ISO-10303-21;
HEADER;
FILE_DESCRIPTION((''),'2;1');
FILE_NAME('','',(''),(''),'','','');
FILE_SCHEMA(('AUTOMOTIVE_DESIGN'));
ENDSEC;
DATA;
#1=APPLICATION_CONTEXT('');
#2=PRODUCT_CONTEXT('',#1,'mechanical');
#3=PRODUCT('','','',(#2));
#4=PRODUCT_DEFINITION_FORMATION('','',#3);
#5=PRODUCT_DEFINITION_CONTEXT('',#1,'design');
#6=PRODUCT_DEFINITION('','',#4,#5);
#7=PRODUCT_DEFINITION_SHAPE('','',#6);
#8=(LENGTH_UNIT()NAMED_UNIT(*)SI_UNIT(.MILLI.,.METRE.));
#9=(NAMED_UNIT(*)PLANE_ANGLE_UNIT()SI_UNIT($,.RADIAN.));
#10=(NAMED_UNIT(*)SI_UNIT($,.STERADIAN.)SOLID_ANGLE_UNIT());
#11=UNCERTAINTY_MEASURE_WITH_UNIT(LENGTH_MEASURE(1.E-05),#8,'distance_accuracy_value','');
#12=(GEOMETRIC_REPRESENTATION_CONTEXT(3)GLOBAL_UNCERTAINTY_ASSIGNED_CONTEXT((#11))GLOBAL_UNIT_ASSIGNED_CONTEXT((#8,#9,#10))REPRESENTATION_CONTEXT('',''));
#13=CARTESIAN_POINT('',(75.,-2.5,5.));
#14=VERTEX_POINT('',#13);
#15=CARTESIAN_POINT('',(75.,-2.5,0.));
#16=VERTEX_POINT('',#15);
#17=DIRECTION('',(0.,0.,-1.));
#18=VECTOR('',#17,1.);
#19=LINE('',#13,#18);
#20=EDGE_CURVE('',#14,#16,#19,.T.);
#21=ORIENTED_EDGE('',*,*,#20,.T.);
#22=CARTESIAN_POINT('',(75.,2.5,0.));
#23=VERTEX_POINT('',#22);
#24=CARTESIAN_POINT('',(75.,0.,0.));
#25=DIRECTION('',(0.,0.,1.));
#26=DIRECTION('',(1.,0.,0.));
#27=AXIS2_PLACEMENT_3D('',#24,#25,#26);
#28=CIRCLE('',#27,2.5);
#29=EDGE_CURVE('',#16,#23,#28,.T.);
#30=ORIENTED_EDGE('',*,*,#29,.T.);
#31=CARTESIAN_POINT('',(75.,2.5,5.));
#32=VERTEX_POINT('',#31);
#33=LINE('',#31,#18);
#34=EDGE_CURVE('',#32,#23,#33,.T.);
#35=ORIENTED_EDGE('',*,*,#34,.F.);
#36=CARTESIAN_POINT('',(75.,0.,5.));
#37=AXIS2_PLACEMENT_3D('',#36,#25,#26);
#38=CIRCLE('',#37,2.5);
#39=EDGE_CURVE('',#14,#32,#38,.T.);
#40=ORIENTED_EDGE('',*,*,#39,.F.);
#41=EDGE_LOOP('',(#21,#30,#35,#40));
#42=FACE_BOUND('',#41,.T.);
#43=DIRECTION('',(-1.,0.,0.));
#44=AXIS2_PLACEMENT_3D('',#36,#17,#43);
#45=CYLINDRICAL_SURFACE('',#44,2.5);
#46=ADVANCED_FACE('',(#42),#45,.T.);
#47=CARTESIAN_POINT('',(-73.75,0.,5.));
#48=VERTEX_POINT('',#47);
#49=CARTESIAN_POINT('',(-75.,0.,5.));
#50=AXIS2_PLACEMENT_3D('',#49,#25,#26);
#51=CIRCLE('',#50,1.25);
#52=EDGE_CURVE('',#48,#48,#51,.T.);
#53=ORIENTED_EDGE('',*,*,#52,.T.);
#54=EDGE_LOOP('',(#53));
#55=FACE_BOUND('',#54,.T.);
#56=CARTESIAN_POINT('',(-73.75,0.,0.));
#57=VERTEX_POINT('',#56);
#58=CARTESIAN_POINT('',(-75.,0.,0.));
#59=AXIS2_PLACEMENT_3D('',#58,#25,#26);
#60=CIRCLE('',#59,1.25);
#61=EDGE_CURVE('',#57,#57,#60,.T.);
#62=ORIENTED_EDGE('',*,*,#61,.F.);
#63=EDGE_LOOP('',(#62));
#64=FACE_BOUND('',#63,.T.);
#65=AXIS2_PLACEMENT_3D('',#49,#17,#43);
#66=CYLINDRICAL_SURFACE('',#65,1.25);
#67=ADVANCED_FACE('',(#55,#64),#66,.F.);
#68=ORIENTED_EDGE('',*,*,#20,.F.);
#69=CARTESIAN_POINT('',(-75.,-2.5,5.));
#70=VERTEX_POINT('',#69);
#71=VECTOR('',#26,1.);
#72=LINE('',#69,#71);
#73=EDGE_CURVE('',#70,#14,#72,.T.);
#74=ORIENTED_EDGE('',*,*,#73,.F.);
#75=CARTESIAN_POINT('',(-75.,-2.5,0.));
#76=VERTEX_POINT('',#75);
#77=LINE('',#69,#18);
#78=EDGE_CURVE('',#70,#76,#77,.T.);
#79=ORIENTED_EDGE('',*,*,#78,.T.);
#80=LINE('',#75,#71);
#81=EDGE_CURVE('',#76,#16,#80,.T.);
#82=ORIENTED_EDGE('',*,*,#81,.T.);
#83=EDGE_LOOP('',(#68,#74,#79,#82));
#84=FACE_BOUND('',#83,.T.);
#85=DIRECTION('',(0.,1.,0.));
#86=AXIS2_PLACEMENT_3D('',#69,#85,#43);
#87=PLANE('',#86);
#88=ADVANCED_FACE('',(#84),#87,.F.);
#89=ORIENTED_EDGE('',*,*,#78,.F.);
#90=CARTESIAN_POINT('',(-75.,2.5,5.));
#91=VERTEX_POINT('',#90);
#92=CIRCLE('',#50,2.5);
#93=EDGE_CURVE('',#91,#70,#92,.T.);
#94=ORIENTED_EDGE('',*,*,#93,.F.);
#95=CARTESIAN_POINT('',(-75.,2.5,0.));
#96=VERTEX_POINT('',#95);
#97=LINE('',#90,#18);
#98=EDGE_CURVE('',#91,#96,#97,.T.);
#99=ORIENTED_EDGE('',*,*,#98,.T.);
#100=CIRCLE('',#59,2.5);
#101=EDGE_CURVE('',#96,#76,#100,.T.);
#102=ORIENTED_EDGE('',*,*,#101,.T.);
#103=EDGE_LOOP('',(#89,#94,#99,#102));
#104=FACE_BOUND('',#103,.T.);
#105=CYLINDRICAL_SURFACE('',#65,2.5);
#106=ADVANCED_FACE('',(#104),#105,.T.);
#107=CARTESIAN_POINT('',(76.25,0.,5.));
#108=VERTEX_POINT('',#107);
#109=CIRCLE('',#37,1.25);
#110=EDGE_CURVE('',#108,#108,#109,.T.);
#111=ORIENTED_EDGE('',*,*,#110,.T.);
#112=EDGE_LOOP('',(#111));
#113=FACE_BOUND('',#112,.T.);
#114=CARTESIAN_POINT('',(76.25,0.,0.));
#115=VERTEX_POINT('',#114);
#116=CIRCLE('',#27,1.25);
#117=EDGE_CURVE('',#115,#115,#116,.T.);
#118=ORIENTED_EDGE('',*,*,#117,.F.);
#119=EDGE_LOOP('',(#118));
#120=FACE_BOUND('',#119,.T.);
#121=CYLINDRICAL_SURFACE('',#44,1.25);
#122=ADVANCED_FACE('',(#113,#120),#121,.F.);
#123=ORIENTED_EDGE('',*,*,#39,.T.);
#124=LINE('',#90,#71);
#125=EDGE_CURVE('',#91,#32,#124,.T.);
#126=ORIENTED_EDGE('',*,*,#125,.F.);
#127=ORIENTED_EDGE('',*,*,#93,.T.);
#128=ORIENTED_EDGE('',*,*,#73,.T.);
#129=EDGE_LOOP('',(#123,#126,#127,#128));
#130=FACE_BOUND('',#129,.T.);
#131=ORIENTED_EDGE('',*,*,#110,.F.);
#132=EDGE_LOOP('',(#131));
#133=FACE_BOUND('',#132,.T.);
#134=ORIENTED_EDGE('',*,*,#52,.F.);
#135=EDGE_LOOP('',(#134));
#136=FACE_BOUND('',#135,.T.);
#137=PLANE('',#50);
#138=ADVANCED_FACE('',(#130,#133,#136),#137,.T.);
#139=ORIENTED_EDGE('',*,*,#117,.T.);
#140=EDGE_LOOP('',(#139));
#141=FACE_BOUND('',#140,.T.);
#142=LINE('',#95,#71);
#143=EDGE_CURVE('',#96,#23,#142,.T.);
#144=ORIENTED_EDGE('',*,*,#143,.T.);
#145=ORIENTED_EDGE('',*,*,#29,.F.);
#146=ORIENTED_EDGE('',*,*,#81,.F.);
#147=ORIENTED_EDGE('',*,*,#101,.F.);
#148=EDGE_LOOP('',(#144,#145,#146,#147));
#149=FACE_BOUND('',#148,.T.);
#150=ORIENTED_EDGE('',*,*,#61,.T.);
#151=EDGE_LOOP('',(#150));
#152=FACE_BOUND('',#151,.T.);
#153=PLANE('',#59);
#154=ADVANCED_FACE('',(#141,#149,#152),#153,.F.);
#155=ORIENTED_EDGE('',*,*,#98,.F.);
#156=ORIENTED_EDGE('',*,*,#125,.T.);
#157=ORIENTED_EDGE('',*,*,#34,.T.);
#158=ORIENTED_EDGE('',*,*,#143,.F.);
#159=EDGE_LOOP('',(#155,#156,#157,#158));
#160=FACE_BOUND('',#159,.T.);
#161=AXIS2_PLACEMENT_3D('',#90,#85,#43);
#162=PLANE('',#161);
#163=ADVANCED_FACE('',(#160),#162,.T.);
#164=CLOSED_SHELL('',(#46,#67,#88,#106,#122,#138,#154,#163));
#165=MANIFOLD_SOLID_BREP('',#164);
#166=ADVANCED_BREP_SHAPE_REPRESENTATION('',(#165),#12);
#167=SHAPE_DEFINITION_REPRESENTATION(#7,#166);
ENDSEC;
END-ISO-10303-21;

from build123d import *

# Parameters (mm, degrees)
SKETCH1_R           = 1.25
BOSS_EXTRUDE1_DEPTH = 5


with BuildPart() as part:
    # Sketch1 → Boss-Extrude1 (new body)
    with BuildSketch(Plane.XY):
        with BuildLine():
            Line((-75, 2.5), (75, 2.5))
            ThreePointArc((75, 2.5), (77.5, 0), (75, -2.5))
            Line((75, -2.5), (-75, -2.5))
            ThreePointArc((-75, -2.5), (-77.5, 0), (-75, 2.5))
        make_face()
        with Locations((-75, 0)):
            Circle(SKETCH1_R, mode=Mode.SUBTRACT)
        with Locations((75, 0)):
            Circle(SKETCH1_R, mode=Mode.SUBTRACT)
    extrude(amount=BOSS_EXTRUDE1_DEPTH)


solid = part.part
